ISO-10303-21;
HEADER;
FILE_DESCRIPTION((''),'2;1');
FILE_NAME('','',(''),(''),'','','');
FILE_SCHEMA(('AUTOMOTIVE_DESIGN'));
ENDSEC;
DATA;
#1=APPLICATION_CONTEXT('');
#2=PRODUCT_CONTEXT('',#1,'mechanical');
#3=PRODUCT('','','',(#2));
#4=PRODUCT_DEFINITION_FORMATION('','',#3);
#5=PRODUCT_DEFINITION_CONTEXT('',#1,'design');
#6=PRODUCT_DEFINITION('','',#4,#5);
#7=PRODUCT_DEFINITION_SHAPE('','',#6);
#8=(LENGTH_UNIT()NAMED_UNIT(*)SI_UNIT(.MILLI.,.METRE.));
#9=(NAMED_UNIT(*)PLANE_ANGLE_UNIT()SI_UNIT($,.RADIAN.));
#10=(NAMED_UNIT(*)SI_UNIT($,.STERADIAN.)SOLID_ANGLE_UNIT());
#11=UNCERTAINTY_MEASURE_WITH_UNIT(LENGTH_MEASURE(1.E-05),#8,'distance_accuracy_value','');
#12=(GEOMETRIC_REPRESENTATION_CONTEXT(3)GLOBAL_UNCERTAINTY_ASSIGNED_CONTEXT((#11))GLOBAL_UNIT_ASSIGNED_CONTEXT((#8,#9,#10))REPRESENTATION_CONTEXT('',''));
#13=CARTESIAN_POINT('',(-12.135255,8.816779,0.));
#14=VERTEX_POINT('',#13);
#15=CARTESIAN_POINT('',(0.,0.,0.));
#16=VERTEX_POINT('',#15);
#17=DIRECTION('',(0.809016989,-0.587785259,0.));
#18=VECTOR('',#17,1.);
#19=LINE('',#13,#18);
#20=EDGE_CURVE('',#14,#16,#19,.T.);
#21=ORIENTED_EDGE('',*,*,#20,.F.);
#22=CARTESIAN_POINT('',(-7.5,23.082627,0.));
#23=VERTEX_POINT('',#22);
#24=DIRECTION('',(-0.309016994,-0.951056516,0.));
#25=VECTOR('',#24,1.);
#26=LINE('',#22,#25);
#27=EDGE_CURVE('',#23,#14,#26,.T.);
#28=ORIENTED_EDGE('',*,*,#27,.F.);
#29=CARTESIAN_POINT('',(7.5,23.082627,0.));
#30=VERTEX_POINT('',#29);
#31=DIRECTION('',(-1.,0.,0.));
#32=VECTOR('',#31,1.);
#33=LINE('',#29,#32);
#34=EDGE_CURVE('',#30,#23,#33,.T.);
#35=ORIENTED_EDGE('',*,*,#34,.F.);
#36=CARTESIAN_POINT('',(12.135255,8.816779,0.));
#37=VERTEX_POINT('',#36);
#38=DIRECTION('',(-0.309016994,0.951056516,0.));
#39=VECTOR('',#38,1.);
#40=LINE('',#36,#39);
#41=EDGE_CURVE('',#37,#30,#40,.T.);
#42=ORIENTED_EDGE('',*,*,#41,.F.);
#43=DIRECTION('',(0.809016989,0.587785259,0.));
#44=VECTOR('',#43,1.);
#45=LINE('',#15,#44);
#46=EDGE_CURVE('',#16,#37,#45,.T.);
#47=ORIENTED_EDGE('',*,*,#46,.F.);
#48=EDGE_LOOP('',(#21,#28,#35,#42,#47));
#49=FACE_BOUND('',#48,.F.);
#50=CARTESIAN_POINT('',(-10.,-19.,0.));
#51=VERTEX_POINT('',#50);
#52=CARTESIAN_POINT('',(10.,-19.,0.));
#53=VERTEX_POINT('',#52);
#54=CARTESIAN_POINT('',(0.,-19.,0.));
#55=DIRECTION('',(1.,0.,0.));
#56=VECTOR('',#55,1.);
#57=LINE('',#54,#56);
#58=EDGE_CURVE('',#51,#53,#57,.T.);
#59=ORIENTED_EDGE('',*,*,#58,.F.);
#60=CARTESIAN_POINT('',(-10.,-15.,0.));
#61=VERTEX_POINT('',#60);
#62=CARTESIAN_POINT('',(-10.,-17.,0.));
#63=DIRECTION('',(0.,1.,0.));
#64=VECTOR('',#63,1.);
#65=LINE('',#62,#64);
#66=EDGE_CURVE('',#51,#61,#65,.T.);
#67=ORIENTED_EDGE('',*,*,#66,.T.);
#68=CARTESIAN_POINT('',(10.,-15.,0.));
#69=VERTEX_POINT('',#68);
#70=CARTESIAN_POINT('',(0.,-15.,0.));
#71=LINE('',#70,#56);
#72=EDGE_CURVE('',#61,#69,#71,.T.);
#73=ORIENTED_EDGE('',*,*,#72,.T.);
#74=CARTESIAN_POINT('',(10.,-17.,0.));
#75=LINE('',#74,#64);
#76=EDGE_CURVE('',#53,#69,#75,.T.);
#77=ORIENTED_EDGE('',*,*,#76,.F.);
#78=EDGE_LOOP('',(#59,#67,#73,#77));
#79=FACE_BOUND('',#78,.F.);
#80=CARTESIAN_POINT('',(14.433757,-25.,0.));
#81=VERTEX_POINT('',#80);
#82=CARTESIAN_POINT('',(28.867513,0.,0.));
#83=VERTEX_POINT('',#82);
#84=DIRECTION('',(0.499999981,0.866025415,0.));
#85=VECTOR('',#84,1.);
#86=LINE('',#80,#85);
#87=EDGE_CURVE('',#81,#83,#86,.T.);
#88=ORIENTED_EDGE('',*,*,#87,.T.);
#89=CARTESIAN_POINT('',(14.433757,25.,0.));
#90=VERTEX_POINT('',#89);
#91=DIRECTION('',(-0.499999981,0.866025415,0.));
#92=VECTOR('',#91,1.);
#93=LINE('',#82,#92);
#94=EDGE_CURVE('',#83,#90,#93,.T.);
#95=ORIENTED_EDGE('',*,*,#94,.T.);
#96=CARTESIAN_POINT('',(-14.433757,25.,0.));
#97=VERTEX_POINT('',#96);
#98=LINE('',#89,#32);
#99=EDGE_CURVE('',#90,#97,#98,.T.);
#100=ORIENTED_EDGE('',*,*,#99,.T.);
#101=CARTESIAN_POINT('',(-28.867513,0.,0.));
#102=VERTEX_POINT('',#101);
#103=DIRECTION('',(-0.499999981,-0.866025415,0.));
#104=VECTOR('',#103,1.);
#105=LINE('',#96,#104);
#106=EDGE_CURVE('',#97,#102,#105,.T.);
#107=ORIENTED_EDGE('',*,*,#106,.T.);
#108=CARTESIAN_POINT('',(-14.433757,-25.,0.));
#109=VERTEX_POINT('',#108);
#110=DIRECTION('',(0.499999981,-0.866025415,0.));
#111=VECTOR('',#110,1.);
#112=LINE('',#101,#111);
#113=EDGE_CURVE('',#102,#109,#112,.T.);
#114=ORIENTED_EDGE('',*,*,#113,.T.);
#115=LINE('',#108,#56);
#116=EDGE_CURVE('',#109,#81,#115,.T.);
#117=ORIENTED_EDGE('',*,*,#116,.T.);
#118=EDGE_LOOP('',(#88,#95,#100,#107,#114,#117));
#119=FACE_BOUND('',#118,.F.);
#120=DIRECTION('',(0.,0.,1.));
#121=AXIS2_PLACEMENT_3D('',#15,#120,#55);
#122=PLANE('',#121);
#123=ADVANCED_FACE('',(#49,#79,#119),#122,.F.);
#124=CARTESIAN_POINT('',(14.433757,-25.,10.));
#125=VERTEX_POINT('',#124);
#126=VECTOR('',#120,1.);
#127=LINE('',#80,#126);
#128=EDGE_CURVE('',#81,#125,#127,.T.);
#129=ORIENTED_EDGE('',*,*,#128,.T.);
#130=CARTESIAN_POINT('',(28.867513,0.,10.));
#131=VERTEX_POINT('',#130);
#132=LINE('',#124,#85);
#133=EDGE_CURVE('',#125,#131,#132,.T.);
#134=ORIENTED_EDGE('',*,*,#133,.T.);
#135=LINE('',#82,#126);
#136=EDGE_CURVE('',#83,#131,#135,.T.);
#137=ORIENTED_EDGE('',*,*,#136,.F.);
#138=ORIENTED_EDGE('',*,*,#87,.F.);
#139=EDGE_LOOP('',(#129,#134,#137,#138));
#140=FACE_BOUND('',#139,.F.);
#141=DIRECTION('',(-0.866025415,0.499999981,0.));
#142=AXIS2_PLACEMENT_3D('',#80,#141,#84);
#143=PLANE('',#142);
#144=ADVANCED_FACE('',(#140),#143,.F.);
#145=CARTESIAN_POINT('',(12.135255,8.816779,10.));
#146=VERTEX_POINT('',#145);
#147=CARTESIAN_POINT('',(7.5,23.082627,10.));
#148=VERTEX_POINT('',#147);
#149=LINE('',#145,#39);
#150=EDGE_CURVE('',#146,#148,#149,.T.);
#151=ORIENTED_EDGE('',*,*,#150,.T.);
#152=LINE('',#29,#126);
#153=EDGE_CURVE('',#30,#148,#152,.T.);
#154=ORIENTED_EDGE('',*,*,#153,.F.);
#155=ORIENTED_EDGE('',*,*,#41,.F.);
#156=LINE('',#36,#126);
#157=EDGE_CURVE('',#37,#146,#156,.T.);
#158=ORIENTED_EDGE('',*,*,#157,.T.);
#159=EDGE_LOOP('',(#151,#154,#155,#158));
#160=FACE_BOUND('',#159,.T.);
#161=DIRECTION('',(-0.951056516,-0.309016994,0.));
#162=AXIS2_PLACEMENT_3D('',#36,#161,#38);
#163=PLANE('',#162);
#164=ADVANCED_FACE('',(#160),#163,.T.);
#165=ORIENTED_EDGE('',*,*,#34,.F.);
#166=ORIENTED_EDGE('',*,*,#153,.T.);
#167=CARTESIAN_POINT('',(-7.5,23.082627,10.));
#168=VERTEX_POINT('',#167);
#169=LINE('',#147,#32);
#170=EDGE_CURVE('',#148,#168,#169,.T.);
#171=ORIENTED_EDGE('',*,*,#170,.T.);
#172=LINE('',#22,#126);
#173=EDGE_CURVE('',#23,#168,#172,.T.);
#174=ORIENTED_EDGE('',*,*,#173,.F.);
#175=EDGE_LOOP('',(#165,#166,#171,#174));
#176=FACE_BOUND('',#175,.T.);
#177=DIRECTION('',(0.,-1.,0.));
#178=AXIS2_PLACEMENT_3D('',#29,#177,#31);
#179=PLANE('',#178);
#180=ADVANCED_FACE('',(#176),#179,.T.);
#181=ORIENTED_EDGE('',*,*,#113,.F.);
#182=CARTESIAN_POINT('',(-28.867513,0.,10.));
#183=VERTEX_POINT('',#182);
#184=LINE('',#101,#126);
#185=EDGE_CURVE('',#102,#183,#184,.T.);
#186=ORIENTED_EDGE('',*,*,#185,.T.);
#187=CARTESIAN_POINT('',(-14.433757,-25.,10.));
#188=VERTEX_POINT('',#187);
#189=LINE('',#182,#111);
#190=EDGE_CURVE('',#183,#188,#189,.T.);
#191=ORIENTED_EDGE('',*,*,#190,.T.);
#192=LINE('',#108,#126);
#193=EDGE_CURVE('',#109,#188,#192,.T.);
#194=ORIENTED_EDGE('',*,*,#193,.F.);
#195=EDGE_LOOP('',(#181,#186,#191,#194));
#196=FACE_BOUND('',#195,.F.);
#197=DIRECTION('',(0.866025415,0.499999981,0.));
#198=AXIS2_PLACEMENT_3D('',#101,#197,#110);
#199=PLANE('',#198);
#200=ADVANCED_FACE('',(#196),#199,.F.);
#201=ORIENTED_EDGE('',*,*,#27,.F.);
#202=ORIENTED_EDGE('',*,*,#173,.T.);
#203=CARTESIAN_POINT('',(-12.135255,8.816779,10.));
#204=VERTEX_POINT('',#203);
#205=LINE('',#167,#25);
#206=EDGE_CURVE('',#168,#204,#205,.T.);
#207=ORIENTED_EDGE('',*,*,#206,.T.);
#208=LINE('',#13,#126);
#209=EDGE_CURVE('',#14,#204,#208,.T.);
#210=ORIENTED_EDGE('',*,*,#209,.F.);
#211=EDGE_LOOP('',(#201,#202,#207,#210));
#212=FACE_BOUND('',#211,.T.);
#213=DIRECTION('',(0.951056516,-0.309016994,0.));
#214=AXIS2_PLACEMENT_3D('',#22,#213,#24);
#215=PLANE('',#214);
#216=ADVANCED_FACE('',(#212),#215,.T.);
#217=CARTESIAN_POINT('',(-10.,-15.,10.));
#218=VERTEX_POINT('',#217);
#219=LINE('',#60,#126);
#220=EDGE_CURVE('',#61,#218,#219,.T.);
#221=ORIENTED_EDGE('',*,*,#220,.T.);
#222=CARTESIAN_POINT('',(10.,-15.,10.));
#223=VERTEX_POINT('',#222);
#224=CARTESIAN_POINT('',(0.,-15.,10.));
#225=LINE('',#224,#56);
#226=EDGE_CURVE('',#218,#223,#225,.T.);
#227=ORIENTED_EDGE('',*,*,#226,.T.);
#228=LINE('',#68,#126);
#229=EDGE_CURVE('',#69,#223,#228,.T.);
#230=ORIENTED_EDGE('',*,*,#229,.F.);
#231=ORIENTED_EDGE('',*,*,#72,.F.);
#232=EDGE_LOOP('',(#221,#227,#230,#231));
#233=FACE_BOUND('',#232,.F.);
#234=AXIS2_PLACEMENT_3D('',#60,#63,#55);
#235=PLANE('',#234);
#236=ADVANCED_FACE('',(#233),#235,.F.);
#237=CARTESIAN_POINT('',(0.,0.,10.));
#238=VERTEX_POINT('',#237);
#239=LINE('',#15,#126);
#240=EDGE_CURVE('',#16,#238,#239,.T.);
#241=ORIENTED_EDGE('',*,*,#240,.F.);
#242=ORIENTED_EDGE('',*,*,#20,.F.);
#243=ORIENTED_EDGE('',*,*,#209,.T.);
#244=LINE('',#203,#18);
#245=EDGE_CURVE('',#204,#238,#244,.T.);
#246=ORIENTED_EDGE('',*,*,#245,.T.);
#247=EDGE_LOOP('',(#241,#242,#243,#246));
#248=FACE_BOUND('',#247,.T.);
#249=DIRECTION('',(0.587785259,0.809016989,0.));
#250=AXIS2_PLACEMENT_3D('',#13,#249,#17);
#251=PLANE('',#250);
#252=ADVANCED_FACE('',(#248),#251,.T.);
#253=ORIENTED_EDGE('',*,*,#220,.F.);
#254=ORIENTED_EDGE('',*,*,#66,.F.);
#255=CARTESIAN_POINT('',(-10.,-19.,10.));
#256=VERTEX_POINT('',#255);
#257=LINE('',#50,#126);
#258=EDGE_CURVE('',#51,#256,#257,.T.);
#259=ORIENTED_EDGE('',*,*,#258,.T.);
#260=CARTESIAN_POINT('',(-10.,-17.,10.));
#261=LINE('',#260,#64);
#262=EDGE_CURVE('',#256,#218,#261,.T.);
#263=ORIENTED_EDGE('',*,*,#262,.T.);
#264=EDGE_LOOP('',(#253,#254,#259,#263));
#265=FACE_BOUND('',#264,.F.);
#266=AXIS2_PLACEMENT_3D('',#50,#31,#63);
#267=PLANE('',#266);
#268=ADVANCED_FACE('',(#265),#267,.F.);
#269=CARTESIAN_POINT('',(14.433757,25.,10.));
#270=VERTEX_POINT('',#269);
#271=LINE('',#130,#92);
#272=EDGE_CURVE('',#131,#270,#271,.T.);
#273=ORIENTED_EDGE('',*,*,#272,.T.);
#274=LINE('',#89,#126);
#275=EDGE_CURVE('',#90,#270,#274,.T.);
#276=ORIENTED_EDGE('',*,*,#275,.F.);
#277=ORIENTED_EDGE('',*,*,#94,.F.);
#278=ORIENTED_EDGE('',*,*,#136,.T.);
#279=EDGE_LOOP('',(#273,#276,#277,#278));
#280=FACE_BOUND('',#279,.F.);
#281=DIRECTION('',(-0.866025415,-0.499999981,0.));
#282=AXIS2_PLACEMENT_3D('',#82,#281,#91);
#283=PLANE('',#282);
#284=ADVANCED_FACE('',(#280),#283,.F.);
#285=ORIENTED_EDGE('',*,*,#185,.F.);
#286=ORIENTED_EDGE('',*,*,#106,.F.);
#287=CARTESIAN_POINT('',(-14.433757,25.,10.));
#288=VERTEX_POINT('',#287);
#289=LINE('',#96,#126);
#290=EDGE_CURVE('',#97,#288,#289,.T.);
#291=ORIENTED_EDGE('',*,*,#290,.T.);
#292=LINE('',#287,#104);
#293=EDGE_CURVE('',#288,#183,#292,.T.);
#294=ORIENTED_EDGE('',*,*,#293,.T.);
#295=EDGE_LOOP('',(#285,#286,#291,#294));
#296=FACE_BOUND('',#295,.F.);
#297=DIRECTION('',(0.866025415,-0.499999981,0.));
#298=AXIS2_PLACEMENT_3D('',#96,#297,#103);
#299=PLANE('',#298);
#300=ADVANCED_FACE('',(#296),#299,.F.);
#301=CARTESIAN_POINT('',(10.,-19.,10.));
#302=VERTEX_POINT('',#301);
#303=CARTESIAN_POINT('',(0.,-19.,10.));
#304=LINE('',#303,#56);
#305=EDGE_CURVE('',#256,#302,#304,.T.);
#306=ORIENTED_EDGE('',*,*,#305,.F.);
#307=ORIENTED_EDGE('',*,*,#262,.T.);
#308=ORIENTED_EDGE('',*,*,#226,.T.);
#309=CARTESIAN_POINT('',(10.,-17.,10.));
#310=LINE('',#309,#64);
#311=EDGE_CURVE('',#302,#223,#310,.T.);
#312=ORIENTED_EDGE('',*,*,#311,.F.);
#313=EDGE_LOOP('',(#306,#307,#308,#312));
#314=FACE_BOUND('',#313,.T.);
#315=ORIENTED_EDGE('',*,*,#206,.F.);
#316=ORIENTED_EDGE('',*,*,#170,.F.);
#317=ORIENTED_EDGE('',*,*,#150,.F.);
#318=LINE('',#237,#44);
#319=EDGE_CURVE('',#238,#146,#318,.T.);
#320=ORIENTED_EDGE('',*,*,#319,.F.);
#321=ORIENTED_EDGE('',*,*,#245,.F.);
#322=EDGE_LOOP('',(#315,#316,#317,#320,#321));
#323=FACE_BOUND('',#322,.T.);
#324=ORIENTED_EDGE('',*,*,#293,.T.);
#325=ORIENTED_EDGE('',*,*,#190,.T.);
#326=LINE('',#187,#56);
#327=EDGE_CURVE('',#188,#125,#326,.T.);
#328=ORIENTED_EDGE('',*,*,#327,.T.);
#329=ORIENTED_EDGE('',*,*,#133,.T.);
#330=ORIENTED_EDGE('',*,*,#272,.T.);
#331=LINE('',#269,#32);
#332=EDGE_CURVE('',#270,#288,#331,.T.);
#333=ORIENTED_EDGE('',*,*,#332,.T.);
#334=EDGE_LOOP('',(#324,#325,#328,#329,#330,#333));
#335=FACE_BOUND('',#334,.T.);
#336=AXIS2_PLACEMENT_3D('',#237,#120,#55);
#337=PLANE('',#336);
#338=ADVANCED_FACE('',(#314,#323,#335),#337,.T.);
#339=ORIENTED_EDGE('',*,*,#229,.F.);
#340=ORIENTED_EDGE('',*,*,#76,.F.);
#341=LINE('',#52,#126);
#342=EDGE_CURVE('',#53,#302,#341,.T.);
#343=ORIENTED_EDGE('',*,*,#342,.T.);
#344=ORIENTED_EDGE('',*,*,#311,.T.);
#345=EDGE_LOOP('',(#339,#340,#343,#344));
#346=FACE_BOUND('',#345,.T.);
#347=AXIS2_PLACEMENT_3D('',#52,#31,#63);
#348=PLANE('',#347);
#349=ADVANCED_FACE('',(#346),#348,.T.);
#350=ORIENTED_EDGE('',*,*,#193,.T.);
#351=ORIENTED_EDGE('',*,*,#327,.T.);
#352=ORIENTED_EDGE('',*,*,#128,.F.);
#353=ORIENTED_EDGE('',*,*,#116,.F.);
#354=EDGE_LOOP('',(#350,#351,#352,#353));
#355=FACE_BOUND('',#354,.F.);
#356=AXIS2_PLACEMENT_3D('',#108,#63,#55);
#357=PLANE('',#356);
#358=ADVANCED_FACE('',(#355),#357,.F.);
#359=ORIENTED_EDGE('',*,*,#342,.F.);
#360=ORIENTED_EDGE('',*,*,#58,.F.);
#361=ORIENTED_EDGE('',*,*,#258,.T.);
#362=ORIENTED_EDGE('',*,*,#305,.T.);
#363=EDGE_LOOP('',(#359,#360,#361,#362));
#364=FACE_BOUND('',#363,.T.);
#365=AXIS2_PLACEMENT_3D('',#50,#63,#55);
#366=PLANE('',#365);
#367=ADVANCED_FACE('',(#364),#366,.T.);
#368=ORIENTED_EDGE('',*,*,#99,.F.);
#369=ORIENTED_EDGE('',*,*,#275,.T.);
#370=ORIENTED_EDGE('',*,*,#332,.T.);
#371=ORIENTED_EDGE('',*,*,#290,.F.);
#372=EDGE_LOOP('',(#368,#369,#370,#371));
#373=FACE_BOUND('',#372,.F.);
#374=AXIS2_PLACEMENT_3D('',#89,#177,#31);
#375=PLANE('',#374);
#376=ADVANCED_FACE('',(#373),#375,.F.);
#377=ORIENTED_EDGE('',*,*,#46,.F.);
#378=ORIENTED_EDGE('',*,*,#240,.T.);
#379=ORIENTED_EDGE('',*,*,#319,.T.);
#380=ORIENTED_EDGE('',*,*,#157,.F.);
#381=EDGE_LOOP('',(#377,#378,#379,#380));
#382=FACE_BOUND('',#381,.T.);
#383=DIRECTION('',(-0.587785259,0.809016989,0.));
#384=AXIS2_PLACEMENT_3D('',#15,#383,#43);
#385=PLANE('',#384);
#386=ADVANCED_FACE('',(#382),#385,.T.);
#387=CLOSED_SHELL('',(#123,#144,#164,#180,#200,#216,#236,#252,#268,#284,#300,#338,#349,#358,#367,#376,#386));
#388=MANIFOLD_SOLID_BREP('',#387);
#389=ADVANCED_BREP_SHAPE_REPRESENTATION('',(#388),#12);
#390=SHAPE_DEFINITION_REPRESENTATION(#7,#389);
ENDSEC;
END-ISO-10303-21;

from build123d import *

# Parameters (mm, degrees)
SKETCH_W      = 20
SKETCH_H      = 4
EXTRUDE_DEPTH = 10


with BuildPart() as part:
    # Sketch → Extrude (new body)
    with BuildSketch(Plane.XY):
        Polygon((28.867513, 0), (14.433757, 25), (-14.433757, 25), (-28.867513, 0), (-14.433757, -25), (14.433757, -25), align=None)
        Polygon((7.5, 23.082627), (-7.5, 23.082627), (-12.135255, 8.816779), (0, 0), (12.135255, 8.816779), align=None, mode=Mode.SUBTRACT)
        with Locations((0, -17)):
            Rectangle(SKETCH_W, SKETCH_H, mode=Mode.SUBTRACT)
    extrude(amount=EXTRUDE_DEPTH)


solid = part.part
